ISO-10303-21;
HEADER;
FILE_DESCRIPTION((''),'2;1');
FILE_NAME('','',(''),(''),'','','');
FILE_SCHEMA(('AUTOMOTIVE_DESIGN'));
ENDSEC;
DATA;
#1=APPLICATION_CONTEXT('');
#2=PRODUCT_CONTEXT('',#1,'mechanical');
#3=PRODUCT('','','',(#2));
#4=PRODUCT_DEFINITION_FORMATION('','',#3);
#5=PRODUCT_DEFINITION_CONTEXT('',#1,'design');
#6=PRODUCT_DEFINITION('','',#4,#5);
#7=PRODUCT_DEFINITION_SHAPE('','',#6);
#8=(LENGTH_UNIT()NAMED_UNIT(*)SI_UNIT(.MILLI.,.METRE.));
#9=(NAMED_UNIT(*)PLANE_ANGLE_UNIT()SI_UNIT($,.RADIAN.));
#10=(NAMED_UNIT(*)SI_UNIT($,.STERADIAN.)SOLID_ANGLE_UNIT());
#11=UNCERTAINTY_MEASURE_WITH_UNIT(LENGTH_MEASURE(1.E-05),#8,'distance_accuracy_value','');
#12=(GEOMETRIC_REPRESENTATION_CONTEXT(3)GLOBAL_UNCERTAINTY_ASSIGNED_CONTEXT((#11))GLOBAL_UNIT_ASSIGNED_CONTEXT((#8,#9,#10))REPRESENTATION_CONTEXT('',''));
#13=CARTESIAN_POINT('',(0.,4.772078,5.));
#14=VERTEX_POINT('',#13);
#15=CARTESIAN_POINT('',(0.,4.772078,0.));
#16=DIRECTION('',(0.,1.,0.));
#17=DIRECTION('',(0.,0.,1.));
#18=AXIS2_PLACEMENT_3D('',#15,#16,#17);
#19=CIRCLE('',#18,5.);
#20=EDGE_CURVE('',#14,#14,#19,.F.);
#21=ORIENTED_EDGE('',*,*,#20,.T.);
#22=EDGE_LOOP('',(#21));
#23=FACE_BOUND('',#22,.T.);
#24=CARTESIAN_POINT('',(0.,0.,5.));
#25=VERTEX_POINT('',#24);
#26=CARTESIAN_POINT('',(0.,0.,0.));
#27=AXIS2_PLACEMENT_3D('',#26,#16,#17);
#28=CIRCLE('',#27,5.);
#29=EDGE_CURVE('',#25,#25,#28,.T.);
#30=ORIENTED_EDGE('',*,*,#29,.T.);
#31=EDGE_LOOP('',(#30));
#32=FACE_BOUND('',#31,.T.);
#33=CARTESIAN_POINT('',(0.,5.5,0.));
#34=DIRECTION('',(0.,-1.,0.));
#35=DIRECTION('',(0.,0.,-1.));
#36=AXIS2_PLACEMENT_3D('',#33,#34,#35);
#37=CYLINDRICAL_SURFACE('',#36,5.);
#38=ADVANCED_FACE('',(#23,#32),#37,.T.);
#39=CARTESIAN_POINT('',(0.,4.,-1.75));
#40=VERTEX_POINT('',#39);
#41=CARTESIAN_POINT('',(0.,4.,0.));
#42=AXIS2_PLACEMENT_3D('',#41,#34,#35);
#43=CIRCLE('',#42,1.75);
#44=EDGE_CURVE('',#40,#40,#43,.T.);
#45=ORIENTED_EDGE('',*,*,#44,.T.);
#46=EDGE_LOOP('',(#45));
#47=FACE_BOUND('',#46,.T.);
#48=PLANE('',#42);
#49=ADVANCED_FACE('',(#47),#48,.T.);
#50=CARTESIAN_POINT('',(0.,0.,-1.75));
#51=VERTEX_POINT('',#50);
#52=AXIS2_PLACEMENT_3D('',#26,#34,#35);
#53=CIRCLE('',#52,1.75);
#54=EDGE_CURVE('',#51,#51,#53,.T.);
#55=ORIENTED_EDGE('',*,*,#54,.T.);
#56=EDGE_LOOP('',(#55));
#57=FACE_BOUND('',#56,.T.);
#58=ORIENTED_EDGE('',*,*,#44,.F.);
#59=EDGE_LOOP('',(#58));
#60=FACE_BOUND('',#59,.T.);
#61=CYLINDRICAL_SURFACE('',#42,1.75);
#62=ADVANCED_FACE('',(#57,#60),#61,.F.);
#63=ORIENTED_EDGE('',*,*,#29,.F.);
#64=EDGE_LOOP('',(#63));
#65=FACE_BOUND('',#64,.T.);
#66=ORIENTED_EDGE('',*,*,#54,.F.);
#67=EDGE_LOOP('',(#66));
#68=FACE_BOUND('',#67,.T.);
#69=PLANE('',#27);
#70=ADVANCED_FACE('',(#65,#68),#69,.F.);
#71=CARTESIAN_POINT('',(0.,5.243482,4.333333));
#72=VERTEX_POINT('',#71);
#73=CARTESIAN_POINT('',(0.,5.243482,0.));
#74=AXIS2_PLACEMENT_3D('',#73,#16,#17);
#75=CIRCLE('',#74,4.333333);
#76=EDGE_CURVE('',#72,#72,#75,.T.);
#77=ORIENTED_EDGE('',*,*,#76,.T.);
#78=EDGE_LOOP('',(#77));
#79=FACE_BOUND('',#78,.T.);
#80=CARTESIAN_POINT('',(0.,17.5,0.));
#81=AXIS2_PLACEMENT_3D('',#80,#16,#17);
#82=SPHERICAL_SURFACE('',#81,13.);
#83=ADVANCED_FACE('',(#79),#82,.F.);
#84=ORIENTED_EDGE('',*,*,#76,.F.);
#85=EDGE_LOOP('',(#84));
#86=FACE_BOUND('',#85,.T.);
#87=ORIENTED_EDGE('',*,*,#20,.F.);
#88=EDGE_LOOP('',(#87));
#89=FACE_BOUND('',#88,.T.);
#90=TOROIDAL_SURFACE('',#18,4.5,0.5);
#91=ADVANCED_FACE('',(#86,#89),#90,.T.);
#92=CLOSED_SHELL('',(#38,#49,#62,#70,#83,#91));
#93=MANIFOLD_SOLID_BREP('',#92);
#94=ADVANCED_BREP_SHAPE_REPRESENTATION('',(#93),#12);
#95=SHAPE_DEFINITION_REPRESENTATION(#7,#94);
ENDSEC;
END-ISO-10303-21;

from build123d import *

# Parameters (mm, degrees)
SKETCH1_R           = 5
BOSS_EXTRUDE1_DEPTH = 5.5
SKETCH2_R           = 1.75
CUT_EXTRUDE1_DEPTH  = 4
DOME1_FACE_RADIUS   = 5
DOME1_HEIGHT        = 1
FILLET1_R           = 0.5


with BuildPart() as part:
    # Sketch1 → Boss-Extrude1 (new body)
    with BuildSketch(Plane(origin=(0, 0, 0), x_dir=(1, 0, 0), z_dir=(0, 1, 0))):
        with Locations(Location((0, 0, 0), (0, 0, 270))):
            Circle(SKETCH1_R)
    extrude(amount=BOSS_EXTRUDE1_DEPTH)

    # Sketch2 → Cut-Extrude1 (cut)
    with BuildSketch(Plane.XZ):
        with Locations(Location((0, 0, 0), (0, 0, 270))):
            Circle(SKETCH2_R)
    extrude(amount=-CUT_EXTRUDE1_DEPTH, mode=Mode.SUBTRACT)

    # Dome1: a dome of height H over a round flat face of radius A is a cap of a sphere of radius (A * A + H * H) / (2 * H)
    dome1_r = (DOME1_FACE_RADIUS * DOME1_FACE_RADIUS + DOME1_HEIGHT * DOME1_HEIGHT) / (2 * DOME1_HEIGHT)
    dome1_base = Plane((0, 5.5, 0), z_dir=(0, -1, 0))
    with Locations(dome1_base.offset(DOME1_HEIGHT - dome1_r)):
        dome1_ball = Sphere(dome1_r, mode=Mode.PRIVATE)
    add(split(dome1_ball, bisect_by=dome1_base, keep=Keep.TOP, mode=Mode.PRIVATE), mode=Mode.SUBTRACT)

    # Fillet1
    fillet1_edges = [part.edges().sort_by_distance(p)[0] for p in [
        (-5, 5.5, 0),
    ]]
    fillet(fillet1_edges, radius=FILLET1_R)


solid = part.part
